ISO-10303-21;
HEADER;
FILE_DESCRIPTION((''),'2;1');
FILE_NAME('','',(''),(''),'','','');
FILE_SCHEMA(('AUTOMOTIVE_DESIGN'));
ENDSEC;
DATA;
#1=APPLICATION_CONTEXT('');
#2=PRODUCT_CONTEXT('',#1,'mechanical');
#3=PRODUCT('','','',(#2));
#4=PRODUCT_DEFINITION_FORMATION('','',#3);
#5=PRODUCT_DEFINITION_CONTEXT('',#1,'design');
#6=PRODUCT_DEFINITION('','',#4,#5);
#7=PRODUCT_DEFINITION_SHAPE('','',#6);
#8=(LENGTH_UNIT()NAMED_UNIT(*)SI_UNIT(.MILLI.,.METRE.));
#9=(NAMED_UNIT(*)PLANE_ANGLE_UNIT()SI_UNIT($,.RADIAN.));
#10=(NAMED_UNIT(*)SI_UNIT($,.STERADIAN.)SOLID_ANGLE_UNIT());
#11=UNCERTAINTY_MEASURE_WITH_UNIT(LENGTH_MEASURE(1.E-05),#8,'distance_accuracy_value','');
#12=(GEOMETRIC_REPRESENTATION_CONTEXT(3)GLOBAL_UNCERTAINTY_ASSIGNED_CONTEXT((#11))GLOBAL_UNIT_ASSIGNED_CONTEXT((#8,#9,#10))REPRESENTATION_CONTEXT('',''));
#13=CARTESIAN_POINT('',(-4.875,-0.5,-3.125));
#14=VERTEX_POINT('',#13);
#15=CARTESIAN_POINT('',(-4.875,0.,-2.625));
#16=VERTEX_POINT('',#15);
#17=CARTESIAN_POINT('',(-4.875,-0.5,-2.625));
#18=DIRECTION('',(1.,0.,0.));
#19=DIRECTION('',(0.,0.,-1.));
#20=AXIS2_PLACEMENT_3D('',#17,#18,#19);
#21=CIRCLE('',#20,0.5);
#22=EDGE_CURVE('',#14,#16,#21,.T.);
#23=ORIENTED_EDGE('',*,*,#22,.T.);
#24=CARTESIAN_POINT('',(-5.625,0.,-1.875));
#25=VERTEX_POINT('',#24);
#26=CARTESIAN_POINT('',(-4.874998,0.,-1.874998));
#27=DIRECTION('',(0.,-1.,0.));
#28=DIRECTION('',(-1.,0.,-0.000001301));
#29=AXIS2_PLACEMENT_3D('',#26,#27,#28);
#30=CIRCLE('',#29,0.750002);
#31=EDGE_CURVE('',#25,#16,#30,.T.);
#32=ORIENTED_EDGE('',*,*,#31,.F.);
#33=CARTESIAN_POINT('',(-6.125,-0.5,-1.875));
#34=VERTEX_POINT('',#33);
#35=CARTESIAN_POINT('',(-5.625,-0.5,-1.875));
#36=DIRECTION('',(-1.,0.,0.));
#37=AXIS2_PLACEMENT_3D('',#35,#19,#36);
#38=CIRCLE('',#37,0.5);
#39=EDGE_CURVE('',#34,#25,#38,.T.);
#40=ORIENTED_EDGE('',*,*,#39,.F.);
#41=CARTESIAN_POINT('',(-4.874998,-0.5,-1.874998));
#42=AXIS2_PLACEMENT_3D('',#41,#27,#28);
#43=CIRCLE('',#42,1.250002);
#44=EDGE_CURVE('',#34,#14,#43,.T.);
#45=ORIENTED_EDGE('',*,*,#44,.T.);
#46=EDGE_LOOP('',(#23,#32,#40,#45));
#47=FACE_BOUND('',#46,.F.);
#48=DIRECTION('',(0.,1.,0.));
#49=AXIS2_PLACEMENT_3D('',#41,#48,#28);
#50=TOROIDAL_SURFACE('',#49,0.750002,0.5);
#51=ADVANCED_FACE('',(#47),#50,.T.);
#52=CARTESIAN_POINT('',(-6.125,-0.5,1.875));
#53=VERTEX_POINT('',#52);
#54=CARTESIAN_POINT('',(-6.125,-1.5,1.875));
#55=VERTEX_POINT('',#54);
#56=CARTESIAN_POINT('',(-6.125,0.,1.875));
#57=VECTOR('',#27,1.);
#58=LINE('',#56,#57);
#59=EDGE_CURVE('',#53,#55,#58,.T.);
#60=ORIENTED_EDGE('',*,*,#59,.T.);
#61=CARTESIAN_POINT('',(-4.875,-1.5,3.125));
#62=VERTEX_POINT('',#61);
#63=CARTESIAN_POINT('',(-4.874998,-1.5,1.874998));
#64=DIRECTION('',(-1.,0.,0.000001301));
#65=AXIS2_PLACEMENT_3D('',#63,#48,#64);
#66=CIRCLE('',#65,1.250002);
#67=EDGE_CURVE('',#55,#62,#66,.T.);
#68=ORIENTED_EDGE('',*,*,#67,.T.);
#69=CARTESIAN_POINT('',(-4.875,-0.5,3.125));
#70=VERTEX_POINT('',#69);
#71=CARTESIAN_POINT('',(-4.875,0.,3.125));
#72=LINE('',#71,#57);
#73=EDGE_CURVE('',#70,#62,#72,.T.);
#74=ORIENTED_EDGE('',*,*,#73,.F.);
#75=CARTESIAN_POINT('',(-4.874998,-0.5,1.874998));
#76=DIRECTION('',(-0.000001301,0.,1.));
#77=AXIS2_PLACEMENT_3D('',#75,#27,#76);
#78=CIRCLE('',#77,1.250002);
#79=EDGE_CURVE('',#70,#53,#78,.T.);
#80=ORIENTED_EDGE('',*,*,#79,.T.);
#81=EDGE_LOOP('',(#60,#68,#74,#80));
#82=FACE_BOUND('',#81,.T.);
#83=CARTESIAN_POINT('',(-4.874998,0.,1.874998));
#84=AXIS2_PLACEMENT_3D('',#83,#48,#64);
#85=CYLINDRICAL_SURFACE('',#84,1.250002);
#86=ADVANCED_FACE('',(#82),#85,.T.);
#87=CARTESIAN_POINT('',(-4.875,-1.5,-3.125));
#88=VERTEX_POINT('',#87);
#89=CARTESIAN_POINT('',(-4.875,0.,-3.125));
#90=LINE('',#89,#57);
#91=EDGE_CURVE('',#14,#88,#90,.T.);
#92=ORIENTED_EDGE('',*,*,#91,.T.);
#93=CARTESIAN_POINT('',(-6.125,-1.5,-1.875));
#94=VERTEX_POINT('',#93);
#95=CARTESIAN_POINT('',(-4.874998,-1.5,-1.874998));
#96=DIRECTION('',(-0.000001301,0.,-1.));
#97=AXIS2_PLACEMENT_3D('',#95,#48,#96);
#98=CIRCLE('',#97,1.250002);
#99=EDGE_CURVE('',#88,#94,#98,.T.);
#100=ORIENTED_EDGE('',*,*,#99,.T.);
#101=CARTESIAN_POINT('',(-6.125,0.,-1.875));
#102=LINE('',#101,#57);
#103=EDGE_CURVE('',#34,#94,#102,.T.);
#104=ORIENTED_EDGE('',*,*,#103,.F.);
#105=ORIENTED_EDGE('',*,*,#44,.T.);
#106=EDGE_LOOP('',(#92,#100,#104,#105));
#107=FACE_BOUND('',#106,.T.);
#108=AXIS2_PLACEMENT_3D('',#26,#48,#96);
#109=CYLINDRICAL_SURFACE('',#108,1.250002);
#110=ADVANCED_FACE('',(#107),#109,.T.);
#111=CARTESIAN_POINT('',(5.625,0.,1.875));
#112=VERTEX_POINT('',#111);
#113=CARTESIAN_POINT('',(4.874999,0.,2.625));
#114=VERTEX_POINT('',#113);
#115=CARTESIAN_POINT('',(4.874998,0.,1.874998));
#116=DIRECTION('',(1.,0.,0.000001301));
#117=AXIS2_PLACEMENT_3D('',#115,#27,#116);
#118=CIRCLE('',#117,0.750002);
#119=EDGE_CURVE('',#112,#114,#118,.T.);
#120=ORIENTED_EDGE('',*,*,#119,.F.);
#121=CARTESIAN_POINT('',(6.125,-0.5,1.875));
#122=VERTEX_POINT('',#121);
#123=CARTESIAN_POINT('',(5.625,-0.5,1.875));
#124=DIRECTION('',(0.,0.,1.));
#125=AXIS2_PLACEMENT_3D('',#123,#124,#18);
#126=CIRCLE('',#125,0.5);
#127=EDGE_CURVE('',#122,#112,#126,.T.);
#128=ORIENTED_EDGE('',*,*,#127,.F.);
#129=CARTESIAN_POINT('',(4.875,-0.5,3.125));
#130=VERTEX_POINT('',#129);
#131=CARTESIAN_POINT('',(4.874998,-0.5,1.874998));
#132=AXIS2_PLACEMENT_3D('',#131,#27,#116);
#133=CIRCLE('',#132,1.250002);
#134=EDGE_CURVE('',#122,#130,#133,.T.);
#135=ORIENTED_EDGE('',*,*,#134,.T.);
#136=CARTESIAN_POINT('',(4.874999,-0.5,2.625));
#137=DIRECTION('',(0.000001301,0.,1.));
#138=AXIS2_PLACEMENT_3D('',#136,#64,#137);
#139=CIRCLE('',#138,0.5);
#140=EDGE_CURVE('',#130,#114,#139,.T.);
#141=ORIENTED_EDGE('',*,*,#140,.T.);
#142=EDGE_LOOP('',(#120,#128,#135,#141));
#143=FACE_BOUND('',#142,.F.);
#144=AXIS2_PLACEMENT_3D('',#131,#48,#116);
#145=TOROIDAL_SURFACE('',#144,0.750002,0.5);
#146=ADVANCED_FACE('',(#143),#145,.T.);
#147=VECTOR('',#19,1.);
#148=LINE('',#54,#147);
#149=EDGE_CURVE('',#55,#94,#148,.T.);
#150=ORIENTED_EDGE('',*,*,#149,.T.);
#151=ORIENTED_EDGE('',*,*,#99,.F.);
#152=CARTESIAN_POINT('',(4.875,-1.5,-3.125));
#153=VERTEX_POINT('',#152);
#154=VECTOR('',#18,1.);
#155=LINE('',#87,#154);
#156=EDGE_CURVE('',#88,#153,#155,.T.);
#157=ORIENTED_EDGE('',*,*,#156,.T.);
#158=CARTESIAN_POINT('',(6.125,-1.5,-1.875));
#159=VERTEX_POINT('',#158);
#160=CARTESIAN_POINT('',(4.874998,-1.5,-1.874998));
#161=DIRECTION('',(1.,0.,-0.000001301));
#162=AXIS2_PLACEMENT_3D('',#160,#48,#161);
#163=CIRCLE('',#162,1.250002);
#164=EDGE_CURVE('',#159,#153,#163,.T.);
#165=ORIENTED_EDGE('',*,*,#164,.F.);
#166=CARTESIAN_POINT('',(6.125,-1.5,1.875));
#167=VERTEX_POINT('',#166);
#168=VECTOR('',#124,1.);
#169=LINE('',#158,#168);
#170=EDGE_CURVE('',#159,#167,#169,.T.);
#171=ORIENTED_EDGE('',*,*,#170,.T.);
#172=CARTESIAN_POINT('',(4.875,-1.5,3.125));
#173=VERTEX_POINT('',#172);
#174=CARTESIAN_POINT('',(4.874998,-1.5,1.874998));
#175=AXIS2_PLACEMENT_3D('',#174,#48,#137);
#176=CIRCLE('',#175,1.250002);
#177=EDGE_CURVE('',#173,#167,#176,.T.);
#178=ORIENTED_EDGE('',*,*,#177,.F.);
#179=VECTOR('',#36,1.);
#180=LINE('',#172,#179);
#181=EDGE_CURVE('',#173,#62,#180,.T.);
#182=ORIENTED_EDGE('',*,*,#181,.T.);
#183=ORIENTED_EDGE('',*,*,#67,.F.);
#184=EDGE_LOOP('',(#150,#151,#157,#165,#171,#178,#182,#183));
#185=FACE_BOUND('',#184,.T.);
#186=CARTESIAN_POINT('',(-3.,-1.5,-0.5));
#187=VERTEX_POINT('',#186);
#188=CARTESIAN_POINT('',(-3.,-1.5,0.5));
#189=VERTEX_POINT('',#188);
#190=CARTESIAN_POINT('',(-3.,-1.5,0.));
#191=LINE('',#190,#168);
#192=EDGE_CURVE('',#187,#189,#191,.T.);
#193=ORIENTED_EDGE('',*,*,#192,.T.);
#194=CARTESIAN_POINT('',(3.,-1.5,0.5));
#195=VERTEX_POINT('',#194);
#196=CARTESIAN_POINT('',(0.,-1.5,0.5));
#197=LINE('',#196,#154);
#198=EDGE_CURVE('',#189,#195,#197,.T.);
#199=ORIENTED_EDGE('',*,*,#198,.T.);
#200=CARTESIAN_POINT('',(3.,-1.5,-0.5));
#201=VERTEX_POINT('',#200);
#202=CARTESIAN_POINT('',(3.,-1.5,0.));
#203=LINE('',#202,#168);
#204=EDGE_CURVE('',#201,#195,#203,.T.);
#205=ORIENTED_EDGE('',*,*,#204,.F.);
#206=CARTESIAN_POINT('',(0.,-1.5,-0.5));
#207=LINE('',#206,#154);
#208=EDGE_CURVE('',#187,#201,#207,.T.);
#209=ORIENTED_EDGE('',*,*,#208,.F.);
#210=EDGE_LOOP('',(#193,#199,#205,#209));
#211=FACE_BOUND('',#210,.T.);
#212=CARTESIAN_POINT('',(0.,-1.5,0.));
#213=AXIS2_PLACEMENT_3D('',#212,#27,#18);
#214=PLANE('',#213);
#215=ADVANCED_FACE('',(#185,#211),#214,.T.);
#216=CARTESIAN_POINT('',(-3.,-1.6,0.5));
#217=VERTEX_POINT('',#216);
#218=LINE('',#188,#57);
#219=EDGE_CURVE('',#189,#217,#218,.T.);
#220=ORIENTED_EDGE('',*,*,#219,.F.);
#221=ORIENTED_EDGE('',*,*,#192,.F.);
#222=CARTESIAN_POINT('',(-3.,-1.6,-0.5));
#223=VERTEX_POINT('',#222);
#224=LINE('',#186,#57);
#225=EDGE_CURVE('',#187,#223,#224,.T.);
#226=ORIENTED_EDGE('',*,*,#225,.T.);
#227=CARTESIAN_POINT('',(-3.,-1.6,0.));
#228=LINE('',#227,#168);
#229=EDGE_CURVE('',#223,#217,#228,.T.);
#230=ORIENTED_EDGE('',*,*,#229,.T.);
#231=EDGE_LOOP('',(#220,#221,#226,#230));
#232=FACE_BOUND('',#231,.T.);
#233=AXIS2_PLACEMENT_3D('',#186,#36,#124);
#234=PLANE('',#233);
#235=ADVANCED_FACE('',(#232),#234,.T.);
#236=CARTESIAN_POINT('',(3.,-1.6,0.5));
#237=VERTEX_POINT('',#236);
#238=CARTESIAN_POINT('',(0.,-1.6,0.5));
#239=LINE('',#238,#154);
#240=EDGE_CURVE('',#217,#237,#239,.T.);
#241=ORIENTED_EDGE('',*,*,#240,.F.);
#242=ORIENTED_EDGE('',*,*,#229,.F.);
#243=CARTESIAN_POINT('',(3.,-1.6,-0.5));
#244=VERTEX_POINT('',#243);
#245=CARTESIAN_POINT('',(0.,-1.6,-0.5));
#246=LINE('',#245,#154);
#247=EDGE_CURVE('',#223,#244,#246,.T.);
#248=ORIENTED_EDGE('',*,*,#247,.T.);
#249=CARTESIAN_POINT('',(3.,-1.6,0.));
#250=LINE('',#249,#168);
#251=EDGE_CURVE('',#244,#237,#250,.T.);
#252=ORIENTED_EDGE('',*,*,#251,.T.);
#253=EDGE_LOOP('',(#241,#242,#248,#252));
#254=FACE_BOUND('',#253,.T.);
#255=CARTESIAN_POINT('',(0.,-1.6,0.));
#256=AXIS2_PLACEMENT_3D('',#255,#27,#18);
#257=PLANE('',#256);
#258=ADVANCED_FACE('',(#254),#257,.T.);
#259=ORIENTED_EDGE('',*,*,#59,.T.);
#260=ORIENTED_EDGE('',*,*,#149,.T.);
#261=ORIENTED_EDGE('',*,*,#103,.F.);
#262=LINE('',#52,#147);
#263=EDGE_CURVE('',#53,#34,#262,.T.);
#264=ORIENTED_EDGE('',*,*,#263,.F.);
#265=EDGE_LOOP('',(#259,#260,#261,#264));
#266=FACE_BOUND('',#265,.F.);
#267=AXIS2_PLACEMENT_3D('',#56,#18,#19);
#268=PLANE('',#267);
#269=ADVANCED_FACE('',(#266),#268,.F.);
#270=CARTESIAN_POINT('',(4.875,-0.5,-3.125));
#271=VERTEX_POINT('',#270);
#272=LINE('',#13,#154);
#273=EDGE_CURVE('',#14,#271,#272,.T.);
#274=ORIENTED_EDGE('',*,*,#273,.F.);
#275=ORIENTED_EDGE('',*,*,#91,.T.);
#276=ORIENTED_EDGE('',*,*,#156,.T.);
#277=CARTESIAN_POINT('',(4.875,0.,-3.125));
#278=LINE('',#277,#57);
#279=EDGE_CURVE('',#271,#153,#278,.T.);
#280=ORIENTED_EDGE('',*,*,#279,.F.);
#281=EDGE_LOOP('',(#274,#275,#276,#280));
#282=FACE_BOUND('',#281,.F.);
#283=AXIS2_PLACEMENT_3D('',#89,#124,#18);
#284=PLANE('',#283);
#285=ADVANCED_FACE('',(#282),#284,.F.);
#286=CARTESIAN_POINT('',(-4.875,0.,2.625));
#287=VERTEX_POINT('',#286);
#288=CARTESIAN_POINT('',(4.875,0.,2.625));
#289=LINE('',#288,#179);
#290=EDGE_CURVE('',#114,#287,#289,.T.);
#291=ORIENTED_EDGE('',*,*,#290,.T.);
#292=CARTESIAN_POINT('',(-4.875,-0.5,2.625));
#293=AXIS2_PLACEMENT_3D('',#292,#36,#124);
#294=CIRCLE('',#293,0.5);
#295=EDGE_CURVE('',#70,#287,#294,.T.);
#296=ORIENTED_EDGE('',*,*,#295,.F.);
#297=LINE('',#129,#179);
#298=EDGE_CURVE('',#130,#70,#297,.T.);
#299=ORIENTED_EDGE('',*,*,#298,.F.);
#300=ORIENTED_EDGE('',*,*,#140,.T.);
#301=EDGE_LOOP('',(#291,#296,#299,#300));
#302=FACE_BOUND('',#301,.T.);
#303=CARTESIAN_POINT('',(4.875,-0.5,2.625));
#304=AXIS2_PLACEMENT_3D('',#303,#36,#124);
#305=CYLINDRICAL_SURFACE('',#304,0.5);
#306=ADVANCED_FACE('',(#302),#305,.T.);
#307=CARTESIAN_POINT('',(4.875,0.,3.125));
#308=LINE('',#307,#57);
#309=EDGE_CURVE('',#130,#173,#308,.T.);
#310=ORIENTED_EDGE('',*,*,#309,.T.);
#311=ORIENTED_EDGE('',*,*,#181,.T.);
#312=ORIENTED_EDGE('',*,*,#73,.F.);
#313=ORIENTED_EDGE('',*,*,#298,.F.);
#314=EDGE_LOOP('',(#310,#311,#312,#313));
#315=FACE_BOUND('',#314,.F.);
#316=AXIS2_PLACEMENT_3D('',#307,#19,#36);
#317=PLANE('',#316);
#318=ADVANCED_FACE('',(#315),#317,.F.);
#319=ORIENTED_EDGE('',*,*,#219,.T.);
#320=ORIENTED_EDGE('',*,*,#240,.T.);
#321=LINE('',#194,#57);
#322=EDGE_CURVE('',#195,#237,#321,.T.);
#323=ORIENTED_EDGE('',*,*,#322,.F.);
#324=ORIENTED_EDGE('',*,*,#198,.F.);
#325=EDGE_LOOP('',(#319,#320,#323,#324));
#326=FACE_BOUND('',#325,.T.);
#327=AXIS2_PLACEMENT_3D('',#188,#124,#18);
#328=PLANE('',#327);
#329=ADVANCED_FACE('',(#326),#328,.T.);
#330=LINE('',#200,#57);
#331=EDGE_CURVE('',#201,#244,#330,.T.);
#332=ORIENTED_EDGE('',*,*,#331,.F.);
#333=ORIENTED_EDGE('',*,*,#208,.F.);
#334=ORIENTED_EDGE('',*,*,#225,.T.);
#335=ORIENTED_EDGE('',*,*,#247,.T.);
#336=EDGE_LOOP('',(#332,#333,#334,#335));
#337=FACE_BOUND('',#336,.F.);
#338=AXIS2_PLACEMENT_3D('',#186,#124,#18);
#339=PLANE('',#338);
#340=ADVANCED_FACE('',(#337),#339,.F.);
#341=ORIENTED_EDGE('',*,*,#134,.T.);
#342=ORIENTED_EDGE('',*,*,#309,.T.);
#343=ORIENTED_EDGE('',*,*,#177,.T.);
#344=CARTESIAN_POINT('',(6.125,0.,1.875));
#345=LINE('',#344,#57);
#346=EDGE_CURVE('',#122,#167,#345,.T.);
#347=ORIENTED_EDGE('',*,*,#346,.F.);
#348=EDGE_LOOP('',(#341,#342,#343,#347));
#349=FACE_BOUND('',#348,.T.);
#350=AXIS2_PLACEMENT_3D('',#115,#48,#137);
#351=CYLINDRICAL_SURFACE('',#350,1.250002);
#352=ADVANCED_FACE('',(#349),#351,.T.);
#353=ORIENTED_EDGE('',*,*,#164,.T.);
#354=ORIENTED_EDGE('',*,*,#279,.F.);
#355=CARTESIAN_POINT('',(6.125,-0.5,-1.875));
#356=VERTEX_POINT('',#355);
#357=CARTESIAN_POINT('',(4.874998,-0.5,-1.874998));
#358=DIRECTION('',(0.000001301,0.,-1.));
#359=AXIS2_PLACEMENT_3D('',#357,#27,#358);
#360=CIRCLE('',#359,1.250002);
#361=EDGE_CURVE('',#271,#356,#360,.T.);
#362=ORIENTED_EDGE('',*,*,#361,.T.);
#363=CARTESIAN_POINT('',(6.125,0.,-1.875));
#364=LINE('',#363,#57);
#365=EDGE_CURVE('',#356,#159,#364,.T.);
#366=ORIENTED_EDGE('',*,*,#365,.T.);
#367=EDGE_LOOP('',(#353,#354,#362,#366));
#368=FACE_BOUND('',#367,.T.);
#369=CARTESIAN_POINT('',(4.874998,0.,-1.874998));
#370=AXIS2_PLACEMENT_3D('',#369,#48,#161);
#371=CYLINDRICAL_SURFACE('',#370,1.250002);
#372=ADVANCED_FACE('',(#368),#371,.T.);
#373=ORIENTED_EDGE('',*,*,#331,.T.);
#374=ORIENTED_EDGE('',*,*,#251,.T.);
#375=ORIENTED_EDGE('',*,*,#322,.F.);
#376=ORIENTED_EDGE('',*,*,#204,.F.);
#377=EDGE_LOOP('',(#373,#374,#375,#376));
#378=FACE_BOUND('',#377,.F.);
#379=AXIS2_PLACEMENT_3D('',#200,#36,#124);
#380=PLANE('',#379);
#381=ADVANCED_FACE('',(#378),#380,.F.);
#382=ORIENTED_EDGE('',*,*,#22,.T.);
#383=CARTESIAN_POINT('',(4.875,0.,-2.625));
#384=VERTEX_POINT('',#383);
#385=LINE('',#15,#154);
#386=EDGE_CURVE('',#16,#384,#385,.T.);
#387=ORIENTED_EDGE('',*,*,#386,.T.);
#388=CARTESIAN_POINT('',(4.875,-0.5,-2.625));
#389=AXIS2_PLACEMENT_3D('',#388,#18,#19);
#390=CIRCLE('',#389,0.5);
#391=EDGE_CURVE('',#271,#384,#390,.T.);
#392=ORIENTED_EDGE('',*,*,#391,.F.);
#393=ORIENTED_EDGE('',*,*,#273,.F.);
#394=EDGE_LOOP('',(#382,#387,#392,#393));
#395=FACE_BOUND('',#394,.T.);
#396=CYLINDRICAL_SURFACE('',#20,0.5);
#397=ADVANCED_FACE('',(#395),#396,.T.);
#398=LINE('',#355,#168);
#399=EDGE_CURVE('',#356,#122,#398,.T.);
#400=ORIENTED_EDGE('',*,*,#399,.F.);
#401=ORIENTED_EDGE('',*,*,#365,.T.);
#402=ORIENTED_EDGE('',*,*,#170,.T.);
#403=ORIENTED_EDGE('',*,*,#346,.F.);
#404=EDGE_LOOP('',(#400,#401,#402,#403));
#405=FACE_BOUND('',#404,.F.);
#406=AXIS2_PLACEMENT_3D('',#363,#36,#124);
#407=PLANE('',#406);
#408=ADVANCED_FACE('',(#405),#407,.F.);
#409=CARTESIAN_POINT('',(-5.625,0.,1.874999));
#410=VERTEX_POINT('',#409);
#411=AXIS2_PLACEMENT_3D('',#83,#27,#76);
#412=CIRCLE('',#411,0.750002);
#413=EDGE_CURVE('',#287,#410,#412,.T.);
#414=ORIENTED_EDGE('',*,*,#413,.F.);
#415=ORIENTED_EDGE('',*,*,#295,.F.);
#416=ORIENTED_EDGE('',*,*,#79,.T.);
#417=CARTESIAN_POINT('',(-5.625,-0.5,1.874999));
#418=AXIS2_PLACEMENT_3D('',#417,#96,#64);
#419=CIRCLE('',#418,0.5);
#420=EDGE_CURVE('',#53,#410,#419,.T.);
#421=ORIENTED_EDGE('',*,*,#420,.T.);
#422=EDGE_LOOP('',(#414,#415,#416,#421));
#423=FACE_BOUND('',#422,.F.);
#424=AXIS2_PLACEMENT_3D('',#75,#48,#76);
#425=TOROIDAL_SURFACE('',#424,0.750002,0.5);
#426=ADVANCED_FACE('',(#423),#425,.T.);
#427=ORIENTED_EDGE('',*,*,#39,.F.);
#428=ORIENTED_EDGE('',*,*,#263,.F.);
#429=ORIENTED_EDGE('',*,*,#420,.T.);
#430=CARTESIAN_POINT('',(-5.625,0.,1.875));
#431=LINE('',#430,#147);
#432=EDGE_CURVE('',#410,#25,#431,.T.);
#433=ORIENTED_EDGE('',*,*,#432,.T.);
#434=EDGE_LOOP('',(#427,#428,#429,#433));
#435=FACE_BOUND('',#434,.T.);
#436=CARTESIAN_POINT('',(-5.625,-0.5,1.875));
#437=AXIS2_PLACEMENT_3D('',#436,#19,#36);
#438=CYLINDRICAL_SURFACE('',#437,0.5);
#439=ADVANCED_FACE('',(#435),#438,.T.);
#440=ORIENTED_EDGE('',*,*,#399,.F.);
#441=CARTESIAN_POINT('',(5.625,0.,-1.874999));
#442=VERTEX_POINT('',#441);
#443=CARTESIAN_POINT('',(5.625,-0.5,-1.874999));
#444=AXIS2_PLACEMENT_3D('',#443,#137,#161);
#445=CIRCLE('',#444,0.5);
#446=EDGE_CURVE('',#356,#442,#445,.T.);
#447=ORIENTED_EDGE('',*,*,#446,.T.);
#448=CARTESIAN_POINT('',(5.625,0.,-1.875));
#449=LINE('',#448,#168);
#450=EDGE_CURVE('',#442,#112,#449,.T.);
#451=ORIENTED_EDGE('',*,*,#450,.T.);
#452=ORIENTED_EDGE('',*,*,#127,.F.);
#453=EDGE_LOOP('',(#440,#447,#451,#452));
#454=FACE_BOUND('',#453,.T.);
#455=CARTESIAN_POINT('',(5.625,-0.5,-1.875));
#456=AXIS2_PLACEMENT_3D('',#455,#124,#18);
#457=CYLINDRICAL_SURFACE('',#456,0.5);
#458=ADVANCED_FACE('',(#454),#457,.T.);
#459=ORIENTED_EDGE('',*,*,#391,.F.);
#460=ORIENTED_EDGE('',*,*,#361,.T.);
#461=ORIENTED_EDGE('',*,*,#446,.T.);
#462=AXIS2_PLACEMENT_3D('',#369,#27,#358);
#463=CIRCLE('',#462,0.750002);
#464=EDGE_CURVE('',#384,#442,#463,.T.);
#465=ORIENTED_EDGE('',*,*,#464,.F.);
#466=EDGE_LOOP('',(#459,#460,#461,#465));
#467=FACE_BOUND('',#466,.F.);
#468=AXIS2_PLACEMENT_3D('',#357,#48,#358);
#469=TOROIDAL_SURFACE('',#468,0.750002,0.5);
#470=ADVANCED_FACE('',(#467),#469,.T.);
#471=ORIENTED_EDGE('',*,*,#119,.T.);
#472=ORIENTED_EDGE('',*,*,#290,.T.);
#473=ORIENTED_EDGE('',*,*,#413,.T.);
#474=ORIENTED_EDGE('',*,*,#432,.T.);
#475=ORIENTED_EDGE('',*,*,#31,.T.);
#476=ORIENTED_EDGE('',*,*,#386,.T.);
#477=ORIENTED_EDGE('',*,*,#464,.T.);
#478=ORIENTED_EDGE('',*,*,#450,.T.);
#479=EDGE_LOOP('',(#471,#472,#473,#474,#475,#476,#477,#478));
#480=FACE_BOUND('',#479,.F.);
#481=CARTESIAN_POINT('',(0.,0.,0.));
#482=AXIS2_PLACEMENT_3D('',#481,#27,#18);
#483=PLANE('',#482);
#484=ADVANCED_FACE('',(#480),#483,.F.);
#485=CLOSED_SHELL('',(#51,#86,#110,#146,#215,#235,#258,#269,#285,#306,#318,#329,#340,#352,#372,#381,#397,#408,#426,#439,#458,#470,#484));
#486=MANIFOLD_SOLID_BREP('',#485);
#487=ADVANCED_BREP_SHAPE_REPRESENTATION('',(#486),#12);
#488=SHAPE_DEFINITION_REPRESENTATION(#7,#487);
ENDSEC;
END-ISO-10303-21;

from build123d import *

# Parameters (mm, degrees)
PAD003_DEPTH = 1.5
FILLET011_R  = 0.5
SKETCH023_W  = 6
SKETCH023_H  = 1
PAD004_DEPTH = 0.1


with BuildPart() as part:
    # Sketch020 → Pad003 (new body)
    with BuildSketch(Plane.XZ):
        with BuildLine():
            Line((-6.125, 1.875), (-6.125, -1.875))
            ThreePointArc((-4.875, -3.125), (-5.758883, -2.758883), (-6.125, -1.875))
            Line((-4.875, -3.125), (4.875, -3.125))
            ThreePointArc((6.125, -1.875), (5.758883, -2.758883), (4.875, -3.125))
            Line((6.125, -1.875), (6.125, 1.875))
            ThreePointArc((4.875, 3.125), (5.758883, 2.758883), (6.125, 1.875))
            Line((4.875, 3.125), (-4.875, 3.125))
            ThreePointArc((-6.125, 1.875), (-5.758883, 2.758883), (-4.875, 3.125))
        make_face()
    extrude(amount=PAD003_DEPTH)

    # Fillet011
    fillet011_edges = [part.edges().sort_by_distance(p)[0] for p in [
        (0, 0, -3.125),
    ]]
    fillet(fillet011_edges, radius=FILLET011_R)

    # Sketch023 (on Face4 of Fillet011) → Pad004 (join)
    with BuildSketch(Plane.XZ.offset(1.5)):
        Rectangle(SKETCH023_W, SKETCH023_H)
    extrude(amount=PAD004_DEPTH)


solid = part.part
